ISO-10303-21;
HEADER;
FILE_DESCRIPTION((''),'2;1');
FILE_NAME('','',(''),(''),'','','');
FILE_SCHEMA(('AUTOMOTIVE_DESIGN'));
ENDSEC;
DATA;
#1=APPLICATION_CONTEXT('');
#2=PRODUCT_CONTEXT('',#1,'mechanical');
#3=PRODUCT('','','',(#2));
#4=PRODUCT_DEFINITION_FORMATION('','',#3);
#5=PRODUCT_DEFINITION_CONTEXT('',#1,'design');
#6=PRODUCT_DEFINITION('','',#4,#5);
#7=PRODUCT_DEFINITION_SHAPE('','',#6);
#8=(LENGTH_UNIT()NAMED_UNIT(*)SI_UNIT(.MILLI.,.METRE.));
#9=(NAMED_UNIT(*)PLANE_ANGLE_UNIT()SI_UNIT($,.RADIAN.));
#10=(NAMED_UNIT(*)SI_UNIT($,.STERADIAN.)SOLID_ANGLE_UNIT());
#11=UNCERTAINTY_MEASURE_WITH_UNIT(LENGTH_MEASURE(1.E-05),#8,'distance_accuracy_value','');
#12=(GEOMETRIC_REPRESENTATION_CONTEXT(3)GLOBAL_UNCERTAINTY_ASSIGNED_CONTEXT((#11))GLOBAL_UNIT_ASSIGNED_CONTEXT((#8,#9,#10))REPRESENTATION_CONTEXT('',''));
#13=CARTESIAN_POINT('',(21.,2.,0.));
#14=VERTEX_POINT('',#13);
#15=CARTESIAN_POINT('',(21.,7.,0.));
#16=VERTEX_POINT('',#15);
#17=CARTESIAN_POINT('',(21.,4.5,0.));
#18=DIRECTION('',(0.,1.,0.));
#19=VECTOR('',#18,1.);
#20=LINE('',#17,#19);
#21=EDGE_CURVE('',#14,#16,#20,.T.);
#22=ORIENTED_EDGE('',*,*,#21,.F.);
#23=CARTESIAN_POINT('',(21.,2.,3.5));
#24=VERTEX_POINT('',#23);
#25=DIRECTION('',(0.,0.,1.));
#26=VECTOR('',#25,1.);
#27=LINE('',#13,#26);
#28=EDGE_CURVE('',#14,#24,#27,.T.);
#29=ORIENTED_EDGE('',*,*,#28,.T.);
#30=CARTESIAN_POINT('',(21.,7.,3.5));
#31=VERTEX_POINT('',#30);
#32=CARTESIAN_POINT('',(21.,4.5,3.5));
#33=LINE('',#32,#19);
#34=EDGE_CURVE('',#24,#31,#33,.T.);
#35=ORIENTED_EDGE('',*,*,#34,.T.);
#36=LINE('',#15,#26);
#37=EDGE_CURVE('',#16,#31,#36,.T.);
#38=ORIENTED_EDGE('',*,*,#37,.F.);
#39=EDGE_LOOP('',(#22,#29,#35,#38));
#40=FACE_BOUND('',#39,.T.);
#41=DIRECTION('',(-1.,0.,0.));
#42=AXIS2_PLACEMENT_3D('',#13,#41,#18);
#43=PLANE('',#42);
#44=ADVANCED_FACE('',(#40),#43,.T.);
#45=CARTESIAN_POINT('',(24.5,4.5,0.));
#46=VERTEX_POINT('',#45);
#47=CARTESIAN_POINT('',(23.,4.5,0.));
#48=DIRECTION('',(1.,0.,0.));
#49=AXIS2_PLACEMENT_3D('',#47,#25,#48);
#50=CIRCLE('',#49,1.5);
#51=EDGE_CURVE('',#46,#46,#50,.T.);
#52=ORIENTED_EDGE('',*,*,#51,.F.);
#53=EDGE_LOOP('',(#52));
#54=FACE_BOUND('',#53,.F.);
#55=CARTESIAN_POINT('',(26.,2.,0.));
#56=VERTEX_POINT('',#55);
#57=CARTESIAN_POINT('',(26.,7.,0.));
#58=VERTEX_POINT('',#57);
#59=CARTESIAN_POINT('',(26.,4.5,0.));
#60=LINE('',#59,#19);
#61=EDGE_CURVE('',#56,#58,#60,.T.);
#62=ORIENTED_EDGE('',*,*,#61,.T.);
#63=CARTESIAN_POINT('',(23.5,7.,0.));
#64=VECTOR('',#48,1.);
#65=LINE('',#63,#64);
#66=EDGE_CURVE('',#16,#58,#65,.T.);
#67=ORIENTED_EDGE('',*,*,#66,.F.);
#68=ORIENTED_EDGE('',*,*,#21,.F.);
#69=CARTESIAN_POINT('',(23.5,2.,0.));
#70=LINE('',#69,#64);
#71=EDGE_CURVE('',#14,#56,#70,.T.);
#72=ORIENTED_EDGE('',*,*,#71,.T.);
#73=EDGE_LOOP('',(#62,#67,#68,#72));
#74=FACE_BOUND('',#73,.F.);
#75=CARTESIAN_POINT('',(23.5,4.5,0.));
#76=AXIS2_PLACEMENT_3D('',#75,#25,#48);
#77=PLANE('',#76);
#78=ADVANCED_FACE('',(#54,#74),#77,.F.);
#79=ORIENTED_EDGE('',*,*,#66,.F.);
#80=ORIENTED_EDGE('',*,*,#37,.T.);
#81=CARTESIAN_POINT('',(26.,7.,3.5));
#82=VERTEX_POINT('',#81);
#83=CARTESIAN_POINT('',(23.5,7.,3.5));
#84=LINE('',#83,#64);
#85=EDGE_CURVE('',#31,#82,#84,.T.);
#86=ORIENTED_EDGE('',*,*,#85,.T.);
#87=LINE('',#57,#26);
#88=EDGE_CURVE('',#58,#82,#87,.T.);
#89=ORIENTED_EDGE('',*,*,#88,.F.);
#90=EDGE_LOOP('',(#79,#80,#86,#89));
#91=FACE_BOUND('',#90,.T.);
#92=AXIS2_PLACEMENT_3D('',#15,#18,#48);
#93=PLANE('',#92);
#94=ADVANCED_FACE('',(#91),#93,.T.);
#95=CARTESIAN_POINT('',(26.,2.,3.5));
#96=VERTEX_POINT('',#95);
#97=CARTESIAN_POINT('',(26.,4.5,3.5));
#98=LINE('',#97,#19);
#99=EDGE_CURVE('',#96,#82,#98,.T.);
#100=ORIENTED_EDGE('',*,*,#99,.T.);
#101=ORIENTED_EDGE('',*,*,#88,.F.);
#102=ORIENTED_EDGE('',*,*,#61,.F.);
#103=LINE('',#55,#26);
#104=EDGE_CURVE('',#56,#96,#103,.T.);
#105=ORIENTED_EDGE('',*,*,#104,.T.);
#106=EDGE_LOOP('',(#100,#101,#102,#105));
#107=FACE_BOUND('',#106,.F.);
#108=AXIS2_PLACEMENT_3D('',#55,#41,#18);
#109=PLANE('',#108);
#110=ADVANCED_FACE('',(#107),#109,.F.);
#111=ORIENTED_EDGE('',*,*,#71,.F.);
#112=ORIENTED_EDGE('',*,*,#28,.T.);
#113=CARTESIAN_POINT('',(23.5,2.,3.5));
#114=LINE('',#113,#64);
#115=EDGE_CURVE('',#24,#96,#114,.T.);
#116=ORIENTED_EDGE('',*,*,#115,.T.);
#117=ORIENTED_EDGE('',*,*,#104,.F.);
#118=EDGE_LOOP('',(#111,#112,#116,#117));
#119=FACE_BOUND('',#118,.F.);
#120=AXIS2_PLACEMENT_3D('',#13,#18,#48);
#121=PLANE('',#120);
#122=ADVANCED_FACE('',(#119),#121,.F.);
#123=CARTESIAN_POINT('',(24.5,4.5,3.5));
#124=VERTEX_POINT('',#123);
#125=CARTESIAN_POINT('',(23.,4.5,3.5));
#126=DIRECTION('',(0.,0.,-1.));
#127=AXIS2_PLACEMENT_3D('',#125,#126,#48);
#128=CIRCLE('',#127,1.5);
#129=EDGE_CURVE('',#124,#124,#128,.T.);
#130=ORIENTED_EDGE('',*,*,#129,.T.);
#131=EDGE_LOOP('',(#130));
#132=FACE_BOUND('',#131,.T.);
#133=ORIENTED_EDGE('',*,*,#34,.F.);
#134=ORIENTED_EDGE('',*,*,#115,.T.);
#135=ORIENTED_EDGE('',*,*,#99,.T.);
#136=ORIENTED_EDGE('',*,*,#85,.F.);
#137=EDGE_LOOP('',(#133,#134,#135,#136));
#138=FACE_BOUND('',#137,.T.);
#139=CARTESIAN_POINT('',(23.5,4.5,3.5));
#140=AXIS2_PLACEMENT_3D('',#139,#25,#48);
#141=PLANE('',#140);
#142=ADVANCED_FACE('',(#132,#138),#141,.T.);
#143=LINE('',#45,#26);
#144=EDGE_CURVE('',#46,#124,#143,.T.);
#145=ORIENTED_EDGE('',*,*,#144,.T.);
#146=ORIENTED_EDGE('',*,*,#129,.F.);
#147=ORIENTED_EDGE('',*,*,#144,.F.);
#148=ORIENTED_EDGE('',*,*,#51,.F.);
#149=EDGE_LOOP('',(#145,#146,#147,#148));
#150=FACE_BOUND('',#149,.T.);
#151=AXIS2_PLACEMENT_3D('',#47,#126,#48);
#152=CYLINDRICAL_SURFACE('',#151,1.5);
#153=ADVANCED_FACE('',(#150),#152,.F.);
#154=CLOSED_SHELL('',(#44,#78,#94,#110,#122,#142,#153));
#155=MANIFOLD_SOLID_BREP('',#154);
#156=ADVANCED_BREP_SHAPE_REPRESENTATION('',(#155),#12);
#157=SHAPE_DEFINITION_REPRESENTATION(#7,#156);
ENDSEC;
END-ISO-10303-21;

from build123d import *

# Parameters (mm, degrees)
CYLINDER_R     = 1.5
CYLINDER_DEPTH = 10
BOX008_W       = 5
BOX008_H       = 5
BOX008_DEPTH   = 3.5


with BuildPart() as hole:
    # Cylinder → Cylinder (new body)
    with BuildSketch(Plane(origin=(23, 4.5, 0), x_dir=(1, 0, 0), z_dir=(0, 0, 1))):
        Circle(CYLINDER_R)
    extrude(amount=CYLINDER_DEPTH)


with BuildPart() as stand_hole_cut:
    # Box008 → Box008 (new body)
    with BuildSketch(Plane(origin=(21, 2, 0), x_dir=(1, 0, 0), z_dir=(0, 0, 1))):
        with Locations((2.5, 2.5)):
            Rectangle(BOX008_W, BOX008_H)
    extrude(amount=BOX008_DEPTH)

    # Cut003002: cut hole
    add(hole.part, mode=Mode.SUBTRACT)


solid = stand_hole_cut.part
